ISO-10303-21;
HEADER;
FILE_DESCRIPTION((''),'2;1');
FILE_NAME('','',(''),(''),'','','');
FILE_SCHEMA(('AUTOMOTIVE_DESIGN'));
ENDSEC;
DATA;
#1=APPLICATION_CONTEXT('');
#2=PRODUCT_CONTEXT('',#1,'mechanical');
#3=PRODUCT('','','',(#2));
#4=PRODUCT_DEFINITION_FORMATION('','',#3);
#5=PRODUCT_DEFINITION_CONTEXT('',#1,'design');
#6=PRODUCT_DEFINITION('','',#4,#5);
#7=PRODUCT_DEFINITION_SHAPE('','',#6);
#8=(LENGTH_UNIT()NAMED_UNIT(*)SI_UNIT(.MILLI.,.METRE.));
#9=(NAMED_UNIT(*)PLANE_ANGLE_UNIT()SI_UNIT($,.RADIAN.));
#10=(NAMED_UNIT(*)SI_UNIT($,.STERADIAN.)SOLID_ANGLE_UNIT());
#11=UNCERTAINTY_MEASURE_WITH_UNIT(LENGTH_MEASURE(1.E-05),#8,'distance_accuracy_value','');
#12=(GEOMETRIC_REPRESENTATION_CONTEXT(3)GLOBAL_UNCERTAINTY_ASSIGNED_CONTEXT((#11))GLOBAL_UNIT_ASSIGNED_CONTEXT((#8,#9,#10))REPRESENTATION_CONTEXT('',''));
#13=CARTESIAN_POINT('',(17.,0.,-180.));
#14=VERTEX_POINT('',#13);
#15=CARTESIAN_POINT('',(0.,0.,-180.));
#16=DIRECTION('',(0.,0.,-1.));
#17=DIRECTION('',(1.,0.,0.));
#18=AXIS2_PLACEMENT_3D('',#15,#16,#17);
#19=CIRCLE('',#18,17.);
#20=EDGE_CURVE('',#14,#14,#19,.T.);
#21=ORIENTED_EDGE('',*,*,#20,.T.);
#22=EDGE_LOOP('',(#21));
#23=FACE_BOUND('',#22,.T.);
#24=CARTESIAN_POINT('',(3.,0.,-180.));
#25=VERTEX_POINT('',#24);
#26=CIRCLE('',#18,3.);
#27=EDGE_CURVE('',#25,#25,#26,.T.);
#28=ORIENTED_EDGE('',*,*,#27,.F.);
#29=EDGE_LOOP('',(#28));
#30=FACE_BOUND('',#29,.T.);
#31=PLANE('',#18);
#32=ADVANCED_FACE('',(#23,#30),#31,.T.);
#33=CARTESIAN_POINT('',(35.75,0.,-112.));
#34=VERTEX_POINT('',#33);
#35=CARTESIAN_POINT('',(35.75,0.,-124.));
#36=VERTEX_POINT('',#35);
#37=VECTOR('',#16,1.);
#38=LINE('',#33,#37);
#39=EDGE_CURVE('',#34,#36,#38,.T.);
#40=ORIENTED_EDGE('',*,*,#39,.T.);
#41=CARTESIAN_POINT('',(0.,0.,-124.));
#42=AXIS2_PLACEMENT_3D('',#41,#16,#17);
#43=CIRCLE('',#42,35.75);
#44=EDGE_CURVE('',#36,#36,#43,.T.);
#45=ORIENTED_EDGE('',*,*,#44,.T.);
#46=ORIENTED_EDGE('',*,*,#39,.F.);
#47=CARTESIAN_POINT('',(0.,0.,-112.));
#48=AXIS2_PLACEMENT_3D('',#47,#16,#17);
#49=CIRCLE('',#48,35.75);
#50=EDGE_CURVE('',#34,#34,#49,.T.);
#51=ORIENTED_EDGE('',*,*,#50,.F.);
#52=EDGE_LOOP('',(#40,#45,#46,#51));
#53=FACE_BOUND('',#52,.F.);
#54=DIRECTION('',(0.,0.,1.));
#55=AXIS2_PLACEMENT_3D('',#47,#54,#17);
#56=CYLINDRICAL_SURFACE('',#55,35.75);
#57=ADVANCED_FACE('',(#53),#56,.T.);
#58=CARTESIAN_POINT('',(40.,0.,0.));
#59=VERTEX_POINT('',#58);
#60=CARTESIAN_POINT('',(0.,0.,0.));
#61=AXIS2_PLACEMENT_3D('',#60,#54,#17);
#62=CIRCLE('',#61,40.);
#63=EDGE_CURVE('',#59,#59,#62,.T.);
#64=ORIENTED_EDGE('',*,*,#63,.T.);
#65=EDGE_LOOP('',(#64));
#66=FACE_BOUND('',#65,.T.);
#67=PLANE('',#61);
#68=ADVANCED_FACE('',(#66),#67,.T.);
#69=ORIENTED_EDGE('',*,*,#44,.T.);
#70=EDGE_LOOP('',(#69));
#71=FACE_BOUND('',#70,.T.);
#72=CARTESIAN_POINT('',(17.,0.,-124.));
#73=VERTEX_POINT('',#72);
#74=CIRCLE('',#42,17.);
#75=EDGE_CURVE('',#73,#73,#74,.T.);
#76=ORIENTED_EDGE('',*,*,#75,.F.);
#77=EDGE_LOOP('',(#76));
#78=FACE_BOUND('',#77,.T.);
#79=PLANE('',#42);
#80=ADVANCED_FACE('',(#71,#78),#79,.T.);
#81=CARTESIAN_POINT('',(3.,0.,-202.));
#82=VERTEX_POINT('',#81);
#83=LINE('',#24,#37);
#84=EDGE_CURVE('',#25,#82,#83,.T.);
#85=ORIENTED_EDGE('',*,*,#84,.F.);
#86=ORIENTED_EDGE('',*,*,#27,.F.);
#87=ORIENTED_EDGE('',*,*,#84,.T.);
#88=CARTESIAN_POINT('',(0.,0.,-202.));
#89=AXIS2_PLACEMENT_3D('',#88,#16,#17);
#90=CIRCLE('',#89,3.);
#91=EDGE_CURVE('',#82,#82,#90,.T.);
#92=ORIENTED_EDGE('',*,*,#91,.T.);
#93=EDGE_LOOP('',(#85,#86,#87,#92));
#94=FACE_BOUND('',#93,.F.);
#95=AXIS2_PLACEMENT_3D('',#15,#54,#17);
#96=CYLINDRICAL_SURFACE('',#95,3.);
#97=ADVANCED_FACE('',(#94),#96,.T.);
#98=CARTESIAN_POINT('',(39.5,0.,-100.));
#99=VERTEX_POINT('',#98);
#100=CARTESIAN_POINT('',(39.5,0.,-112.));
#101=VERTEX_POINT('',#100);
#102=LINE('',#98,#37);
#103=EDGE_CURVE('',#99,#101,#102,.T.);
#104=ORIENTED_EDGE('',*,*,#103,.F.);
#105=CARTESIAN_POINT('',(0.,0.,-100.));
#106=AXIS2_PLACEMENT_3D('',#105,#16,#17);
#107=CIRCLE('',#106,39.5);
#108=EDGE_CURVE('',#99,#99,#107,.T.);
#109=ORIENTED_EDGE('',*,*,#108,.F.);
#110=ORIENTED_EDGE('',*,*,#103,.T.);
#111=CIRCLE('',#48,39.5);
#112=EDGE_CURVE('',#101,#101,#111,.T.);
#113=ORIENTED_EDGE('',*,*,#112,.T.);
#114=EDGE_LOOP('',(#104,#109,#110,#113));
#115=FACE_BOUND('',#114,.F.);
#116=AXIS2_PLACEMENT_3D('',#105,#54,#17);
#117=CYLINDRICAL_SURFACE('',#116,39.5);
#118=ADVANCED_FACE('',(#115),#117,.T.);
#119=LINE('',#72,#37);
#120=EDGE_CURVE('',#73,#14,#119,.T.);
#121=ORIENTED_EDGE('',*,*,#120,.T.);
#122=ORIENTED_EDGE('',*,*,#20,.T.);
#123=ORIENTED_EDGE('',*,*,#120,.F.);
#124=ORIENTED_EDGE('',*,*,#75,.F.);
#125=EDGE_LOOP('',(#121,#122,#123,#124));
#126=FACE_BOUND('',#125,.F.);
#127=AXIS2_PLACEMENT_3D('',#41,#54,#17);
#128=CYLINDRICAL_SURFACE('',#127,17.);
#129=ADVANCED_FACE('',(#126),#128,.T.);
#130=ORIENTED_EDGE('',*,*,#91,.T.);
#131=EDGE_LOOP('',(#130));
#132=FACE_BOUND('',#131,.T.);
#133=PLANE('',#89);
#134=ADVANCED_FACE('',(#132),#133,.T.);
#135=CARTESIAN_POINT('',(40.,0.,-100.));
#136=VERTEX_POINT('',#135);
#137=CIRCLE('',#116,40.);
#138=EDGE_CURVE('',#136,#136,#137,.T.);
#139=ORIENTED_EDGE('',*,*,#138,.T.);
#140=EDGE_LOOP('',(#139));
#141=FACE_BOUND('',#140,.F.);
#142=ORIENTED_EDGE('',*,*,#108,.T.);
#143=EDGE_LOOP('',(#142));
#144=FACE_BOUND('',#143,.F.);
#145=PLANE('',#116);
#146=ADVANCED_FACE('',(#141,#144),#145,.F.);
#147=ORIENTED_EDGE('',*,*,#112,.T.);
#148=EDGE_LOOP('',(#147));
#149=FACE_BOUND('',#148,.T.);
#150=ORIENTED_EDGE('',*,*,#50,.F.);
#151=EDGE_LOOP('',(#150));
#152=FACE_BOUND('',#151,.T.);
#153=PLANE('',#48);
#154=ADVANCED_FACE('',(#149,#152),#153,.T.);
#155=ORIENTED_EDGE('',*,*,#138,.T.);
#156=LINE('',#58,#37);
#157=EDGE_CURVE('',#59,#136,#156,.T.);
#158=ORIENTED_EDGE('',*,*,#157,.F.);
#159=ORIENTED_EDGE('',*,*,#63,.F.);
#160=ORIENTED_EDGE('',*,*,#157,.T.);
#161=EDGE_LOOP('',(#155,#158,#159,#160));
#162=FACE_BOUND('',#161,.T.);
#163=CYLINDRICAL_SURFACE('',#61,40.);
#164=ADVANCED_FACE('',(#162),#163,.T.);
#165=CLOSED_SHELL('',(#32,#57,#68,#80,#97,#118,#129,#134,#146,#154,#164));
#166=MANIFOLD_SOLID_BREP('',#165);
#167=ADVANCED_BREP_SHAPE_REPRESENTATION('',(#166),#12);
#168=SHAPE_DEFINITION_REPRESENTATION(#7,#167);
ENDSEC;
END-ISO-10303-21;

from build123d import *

# Parameters (mm, degrees)
SKETCH_R     = 40
PAD_DEPTH    = 100
SKETCH001_R  = 39.5
PAD001_DEPTH = 12
SKETCH002_R  = 35.75
PAD002_DEPTH = 12
SKETCH003_R  = 17
PAD003_DEPTH = 56
SKETCH004_R  = 3
PAD004_DEPTH = 22


with BuildPart() as part:
    # Sketch → Pad (new body)
    with BuildSketch(Plane.XY):
        Circle(SKETCH_R)
    extrude(amount=-PAD_DEPTH)

    # Sketch001 (on Face3 of Pad) → Pad001 (join)
    with BuildSketch(Plane(origin=(0, 0, -100), x_dir=(1, 0, 0), z_dir=(0, 0, -1))):
        Circle(SKETCH001_R)
    extrude(amount=PAD001_DEPTH)

    # Sketch002 (on Face5 of Pad001) → Pad002 (join)
    with BuildSketch(Plane(origin=(0, 0, -112), x_dir=(1, 0, 0), z_dir=(0, 0, -1))):
        Circle(SKETCH002_R)
    extrude(amount=PAD002_DEPTH)

    # Sketch003 (on Face7 of Pad002) → Pad003 (join)
    with BuildSketch(Plane(origin=(0, 0, -124), x_dir=(1, 0, 0), z_dir=(0, 0, -1))):
        Circle(SKETCH003_R)
    extrude(amount=PAD003_DEPTH)

    # Sketch004 (on Face9 of Pad003) → Pad004 (join)
    with BuildSketch(Plane(origin=(0, 0, -180), x_dir=(1, 0, 0), z_dir=(0, 0, -1))):
        Circle(SKETCH004_R)
    extrude(amount=PAD004_DEPTH)


solid = part.part
